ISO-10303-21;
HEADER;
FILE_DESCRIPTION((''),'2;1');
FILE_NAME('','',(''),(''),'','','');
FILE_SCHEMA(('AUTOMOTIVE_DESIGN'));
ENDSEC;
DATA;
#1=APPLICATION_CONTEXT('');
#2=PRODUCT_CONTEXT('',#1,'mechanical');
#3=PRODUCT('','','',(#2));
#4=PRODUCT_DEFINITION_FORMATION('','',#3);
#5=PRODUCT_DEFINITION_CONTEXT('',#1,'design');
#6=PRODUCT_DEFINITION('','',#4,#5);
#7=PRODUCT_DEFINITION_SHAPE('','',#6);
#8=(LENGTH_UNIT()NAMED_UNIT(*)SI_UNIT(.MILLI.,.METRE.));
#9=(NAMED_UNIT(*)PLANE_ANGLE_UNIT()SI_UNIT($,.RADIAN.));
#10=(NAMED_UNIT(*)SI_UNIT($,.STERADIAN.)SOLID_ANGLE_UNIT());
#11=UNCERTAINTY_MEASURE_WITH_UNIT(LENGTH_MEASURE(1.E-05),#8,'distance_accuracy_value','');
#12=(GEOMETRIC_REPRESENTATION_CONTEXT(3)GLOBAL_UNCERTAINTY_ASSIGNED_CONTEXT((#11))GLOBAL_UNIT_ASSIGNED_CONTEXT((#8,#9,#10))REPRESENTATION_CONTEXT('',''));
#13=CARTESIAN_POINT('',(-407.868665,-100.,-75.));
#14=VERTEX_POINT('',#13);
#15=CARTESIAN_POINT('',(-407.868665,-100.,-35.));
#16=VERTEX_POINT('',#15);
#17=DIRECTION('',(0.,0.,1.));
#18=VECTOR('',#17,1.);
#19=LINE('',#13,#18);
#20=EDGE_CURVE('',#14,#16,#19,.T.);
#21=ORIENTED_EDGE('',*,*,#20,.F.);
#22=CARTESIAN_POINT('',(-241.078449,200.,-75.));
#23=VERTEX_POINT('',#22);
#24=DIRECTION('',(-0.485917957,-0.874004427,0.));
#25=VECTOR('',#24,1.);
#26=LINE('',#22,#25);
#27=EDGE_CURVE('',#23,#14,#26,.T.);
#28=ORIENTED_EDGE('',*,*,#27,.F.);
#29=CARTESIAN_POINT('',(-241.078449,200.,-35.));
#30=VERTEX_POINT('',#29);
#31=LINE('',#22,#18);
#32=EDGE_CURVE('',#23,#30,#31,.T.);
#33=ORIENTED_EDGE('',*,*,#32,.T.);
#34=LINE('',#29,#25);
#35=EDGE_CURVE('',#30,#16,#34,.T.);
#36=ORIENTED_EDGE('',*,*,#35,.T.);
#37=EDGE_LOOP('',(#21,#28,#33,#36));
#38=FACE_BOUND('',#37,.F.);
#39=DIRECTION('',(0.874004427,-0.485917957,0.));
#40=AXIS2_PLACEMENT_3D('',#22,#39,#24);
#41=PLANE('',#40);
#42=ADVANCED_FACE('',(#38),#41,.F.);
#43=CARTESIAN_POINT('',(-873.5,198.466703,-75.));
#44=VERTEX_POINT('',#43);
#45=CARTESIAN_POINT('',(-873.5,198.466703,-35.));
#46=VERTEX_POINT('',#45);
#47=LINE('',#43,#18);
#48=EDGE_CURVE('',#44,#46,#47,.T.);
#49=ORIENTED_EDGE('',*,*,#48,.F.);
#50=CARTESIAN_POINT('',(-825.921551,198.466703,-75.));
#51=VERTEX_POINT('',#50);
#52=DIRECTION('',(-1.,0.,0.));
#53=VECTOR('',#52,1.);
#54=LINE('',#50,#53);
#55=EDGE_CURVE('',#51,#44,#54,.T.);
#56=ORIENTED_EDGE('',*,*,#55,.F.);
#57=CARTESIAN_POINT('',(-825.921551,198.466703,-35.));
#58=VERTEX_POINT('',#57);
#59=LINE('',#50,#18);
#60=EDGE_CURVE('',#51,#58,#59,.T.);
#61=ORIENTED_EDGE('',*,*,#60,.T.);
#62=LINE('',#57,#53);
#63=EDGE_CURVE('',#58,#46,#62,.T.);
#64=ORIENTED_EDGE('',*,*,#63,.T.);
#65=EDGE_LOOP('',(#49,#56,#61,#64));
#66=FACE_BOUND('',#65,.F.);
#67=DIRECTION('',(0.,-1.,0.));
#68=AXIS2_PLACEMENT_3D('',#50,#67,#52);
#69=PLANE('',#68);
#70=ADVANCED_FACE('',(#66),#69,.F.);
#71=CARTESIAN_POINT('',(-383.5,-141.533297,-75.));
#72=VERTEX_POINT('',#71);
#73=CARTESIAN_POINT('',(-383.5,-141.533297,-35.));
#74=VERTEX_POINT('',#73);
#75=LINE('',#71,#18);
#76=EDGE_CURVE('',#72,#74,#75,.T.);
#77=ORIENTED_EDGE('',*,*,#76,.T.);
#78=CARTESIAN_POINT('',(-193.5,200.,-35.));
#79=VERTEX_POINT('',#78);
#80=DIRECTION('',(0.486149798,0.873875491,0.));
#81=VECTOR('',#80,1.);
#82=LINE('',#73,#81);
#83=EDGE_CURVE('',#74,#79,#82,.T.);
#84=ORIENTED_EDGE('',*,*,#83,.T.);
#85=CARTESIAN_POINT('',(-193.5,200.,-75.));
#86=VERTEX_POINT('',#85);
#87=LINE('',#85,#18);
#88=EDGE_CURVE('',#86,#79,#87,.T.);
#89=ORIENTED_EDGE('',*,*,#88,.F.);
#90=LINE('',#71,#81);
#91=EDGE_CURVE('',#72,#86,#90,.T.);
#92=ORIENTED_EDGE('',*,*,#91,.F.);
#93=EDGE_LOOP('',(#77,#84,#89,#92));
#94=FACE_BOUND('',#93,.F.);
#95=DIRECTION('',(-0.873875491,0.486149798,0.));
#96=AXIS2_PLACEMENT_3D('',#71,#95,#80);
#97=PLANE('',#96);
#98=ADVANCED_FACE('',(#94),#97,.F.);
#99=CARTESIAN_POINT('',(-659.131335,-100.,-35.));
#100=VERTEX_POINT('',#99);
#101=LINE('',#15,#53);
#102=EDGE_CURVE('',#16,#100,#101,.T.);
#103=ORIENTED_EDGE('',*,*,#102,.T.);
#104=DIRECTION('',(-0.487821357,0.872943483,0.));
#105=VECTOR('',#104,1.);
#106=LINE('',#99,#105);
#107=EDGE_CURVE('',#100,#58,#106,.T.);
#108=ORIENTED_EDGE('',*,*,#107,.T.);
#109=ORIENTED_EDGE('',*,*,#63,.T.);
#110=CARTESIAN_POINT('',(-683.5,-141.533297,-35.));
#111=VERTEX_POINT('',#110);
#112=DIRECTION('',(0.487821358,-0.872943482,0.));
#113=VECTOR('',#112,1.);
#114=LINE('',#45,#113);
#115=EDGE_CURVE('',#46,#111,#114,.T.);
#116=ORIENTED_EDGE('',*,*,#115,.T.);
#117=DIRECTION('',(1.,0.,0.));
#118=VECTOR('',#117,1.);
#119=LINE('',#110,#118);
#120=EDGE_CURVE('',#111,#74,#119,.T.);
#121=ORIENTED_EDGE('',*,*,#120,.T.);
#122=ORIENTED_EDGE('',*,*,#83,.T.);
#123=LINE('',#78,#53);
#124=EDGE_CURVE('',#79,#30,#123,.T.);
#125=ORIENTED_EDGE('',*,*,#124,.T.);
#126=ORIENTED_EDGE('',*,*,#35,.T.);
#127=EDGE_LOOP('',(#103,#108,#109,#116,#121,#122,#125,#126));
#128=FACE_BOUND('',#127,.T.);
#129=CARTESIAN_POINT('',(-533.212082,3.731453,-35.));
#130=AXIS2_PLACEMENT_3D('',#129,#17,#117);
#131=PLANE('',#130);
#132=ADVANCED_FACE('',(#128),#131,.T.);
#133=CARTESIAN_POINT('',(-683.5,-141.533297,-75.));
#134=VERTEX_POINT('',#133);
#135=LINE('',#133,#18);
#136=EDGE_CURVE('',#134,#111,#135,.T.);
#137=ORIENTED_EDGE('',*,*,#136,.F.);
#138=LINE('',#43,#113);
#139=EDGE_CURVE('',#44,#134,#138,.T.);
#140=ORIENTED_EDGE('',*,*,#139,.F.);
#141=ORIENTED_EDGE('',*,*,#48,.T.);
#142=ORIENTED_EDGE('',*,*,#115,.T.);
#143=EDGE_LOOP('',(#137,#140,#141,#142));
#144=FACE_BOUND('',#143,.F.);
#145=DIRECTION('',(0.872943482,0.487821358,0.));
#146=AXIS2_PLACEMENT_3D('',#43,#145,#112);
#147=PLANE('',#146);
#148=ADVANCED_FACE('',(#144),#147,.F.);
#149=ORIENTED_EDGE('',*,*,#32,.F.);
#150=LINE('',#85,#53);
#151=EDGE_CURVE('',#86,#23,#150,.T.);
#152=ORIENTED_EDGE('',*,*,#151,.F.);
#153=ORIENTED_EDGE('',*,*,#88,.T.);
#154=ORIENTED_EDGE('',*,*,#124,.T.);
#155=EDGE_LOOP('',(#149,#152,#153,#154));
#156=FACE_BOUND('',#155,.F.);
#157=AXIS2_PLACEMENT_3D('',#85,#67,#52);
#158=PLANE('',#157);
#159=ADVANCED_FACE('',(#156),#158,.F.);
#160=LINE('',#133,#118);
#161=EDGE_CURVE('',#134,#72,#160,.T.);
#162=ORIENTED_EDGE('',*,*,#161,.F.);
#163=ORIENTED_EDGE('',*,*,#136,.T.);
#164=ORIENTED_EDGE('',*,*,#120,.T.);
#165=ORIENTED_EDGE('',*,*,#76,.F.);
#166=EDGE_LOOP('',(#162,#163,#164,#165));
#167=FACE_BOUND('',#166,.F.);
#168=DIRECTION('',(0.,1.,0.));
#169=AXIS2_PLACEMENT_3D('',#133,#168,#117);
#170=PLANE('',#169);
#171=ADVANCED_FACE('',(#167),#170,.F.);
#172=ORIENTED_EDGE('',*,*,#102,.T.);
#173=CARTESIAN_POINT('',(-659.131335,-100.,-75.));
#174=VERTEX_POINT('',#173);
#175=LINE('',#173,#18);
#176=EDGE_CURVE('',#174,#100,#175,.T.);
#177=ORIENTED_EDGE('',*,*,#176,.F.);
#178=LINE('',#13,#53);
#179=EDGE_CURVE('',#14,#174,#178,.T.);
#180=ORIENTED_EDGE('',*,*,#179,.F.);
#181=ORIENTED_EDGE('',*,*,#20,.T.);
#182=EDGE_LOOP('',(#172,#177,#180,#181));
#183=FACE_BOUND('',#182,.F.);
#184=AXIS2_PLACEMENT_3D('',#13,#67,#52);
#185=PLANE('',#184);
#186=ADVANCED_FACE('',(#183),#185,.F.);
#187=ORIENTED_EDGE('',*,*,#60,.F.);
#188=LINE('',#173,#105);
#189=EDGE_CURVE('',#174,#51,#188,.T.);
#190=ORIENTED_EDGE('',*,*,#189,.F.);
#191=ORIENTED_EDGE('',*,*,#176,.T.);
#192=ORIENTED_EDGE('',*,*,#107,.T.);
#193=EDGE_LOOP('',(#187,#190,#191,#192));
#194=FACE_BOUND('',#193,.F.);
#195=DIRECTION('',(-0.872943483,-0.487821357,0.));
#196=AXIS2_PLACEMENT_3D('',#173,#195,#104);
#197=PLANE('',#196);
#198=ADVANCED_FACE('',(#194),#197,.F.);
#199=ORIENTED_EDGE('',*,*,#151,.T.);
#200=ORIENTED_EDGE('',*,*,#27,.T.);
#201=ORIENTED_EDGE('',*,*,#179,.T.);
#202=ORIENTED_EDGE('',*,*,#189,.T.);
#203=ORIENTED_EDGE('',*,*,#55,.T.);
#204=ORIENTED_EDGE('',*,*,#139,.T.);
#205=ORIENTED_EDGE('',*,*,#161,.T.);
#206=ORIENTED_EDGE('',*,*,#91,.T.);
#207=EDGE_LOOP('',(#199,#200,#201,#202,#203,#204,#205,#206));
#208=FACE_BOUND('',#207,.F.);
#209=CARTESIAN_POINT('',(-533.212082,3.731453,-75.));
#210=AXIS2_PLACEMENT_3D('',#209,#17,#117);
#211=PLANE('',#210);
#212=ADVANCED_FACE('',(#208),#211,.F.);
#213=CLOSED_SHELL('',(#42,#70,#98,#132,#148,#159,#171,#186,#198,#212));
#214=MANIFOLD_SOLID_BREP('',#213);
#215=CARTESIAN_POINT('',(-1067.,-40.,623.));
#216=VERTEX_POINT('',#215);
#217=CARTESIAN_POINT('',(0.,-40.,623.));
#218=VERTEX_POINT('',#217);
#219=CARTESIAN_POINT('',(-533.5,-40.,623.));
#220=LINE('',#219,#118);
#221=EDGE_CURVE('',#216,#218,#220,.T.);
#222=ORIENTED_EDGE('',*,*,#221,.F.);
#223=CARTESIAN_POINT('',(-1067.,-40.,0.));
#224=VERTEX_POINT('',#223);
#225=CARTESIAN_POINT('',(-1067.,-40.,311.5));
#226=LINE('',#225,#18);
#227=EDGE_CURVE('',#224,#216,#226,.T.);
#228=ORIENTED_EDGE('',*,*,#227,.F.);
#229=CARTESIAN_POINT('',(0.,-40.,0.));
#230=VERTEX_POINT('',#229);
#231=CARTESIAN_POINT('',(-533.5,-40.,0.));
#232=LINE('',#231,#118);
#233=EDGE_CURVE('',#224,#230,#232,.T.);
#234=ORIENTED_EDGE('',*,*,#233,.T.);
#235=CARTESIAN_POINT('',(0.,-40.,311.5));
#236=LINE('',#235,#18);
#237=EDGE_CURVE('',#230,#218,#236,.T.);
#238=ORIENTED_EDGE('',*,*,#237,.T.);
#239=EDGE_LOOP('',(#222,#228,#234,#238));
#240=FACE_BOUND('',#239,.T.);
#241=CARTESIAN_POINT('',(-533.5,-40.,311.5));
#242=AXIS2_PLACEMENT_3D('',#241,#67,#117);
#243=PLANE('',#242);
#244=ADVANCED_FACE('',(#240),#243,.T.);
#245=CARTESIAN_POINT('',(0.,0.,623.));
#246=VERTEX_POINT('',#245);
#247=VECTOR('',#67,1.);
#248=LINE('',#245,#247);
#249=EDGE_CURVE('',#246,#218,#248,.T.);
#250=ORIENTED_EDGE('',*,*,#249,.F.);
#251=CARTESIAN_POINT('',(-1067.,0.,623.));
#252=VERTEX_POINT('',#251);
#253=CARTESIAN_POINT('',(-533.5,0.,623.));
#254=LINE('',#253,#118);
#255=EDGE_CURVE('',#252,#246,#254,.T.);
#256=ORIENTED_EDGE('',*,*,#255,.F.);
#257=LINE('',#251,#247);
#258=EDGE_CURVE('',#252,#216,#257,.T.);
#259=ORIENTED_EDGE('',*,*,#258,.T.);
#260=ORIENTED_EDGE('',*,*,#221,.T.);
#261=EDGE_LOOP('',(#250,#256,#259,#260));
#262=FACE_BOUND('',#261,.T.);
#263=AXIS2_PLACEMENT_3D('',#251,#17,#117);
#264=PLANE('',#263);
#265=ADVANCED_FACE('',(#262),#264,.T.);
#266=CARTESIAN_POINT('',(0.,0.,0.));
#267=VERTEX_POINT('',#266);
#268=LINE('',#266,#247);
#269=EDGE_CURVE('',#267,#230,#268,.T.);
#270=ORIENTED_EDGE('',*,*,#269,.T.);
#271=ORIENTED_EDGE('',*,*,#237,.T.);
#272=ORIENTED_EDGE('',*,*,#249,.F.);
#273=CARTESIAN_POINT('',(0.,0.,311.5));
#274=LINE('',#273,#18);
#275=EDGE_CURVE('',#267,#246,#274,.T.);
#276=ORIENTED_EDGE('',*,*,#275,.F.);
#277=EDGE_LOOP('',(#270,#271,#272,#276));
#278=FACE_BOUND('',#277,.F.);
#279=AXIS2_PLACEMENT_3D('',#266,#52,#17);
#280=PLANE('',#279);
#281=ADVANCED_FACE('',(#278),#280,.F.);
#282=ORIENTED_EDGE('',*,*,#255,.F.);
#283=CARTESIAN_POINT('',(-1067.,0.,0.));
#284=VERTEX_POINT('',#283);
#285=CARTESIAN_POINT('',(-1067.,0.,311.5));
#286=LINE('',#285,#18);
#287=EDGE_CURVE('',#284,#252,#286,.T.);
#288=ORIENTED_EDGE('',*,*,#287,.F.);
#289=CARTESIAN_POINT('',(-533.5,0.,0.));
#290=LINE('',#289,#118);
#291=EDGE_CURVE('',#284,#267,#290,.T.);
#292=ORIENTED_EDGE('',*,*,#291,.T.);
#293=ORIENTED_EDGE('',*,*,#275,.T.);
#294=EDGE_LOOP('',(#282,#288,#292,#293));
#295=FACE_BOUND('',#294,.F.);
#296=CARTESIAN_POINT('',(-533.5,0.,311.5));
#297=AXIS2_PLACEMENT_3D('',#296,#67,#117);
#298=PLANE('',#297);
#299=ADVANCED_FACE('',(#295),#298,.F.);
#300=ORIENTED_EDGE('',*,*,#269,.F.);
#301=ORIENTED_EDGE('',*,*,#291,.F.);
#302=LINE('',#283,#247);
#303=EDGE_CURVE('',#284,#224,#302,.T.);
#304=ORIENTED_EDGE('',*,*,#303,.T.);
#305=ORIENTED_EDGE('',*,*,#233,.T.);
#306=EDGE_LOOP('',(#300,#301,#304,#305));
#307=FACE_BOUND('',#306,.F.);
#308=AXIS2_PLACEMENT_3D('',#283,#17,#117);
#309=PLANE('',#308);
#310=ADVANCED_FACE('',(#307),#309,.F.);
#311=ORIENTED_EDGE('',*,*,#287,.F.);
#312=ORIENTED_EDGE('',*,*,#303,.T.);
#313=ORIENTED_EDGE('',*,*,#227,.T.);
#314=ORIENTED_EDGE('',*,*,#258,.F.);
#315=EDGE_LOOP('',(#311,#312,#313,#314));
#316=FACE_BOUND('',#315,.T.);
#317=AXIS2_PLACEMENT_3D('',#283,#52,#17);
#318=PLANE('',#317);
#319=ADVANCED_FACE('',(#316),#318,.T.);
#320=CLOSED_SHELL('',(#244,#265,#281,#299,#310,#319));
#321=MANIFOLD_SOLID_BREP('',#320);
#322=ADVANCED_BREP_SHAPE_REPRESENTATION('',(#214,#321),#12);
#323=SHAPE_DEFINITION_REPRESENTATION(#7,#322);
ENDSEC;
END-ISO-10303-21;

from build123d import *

# Parameters (mm, degrees)
F0_W     = 1067
F0_H     = 623
F1_DEPTH = 40
F5_DEPTH = 40


with BuildPart() as f1:
    # F0 (on Front) → F1 (new body)
    with BuildSketch(Plane.XZ):
        with Locations((-533.5, 311.5)):
            Rectangle(F0_W, F0_H)
    extrude(amount=F1_DEPTH)


with BuildPart() as f5:
    # F4 (on offset) → F5 (new body)
    with BuildSketch(Plane.XY.offset(-75)):
        Polygon((-873.5, 198.466703), (-683.5, -141.533297), (-383.5, -141.533297), (-193.5, 200), (-241.078449, 200), (-407.868665, -100), (-659.131335, -100), (-825.921551, 198.466703), align=None)
    extrude(amount=F5_DEPTH)


solid = Compound([f1.part, f5.part])
